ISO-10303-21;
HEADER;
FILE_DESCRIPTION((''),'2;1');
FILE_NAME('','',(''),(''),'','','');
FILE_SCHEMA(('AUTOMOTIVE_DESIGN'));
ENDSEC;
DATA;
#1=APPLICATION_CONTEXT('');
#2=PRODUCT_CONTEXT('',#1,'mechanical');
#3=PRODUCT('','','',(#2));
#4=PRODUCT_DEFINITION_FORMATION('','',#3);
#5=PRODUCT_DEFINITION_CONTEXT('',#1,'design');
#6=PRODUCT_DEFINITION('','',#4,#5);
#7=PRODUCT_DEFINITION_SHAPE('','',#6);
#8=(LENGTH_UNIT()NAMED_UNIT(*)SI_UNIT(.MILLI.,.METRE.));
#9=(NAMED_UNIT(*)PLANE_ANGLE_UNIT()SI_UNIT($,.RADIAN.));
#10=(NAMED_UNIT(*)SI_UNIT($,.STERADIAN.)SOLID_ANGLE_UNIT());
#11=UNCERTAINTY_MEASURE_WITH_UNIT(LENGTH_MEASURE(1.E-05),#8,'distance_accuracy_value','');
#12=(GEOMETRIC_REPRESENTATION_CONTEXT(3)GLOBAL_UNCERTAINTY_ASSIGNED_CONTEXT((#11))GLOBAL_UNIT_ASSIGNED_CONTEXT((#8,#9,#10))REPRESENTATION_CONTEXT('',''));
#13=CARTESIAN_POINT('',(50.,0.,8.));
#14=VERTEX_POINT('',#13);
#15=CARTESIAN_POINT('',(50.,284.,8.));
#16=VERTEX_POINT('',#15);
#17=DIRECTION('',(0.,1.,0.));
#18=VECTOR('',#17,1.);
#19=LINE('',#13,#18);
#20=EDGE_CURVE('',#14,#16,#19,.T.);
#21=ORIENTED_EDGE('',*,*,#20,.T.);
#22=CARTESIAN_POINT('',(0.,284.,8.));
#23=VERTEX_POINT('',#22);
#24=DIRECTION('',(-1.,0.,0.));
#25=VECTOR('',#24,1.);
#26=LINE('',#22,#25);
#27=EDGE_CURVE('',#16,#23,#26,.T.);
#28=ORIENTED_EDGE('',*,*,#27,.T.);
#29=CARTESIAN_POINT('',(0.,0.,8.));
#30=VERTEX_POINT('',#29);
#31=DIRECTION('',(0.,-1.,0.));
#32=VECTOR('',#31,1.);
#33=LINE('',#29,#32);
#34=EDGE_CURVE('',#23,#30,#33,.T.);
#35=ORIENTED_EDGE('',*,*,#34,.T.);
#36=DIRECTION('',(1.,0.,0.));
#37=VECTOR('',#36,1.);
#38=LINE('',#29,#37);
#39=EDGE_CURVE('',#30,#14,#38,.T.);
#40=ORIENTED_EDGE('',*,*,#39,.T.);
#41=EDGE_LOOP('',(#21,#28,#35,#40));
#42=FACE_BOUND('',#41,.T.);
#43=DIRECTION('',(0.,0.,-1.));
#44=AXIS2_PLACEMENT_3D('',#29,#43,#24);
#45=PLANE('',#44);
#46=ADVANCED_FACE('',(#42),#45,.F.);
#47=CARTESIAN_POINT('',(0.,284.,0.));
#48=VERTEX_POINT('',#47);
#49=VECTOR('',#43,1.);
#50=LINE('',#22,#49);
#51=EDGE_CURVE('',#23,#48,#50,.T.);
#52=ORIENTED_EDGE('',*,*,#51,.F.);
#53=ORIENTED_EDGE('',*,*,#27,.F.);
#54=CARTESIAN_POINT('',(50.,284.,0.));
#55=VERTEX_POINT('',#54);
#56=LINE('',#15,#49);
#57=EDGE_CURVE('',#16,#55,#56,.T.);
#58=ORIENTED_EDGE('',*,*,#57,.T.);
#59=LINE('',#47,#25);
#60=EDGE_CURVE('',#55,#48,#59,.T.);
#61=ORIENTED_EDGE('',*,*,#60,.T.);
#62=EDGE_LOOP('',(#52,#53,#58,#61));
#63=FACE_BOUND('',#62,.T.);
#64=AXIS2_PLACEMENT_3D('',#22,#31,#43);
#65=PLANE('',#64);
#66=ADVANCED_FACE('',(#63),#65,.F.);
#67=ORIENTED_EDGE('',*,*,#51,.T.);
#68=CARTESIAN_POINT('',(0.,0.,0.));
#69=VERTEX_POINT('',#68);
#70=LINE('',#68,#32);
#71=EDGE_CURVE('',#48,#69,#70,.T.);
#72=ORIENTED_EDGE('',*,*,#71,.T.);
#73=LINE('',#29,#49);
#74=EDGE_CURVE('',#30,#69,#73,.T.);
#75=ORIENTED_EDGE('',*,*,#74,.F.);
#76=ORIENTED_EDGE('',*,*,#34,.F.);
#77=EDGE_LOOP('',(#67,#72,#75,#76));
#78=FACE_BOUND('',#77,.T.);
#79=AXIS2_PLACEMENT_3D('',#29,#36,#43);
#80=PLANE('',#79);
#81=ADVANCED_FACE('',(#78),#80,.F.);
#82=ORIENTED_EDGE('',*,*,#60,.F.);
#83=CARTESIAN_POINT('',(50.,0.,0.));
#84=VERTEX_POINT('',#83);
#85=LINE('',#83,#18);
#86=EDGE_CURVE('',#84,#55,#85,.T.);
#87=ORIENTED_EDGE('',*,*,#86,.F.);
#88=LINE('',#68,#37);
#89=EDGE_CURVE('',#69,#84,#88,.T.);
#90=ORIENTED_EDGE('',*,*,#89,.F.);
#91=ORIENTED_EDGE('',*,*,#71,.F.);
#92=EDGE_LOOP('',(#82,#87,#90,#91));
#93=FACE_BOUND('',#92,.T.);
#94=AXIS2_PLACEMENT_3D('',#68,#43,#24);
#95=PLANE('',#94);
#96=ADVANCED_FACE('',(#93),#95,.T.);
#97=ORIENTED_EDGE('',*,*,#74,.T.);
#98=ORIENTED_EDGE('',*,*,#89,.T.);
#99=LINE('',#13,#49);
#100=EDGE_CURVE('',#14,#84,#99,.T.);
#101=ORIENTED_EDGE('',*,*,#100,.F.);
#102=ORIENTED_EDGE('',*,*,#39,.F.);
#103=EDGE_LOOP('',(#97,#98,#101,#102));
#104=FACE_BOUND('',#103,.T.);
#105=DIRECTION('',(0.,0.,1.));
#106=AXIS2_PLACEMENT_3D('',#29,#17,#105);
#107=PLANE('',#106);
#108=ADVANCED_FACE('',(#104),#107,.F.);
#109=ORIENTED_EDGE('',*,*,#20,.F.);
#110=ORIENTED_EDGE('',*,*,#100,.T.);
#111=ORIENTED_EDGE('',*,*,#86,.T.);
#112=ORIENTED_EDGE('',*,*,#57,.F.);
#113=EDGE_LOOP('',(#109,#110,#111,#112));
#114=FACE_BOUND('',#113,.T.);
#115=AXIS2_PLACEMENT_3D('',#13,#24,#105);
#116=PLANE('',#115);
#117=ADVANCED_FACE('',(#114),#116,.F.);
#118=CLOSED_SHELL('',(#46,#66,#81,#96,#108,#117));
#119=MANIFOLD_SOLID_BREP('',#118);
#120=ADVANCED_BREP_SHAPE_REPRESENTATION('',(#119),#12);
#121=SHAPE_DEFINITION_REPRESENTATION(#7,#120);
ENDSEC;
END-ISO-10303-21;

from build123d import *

# Parameters (mm, degrees)
ESQUISSE1_W        = 50
ESQUISSE1_H        = 284
BOSS_EXTRU_1_DEPTH = 8


with BuildPart() as part:
    # Esquisse1 → Boss.-Extru.1 (new body)
    with BuildSketch(Plane.XY):
        with Locations((25, 142)):
            Rectangle(ESQUISSE1_W, ESQUISSE1_H)
    extrude(amount=BOSS_EXTRU_1_DEPTH)


solid = part.part
